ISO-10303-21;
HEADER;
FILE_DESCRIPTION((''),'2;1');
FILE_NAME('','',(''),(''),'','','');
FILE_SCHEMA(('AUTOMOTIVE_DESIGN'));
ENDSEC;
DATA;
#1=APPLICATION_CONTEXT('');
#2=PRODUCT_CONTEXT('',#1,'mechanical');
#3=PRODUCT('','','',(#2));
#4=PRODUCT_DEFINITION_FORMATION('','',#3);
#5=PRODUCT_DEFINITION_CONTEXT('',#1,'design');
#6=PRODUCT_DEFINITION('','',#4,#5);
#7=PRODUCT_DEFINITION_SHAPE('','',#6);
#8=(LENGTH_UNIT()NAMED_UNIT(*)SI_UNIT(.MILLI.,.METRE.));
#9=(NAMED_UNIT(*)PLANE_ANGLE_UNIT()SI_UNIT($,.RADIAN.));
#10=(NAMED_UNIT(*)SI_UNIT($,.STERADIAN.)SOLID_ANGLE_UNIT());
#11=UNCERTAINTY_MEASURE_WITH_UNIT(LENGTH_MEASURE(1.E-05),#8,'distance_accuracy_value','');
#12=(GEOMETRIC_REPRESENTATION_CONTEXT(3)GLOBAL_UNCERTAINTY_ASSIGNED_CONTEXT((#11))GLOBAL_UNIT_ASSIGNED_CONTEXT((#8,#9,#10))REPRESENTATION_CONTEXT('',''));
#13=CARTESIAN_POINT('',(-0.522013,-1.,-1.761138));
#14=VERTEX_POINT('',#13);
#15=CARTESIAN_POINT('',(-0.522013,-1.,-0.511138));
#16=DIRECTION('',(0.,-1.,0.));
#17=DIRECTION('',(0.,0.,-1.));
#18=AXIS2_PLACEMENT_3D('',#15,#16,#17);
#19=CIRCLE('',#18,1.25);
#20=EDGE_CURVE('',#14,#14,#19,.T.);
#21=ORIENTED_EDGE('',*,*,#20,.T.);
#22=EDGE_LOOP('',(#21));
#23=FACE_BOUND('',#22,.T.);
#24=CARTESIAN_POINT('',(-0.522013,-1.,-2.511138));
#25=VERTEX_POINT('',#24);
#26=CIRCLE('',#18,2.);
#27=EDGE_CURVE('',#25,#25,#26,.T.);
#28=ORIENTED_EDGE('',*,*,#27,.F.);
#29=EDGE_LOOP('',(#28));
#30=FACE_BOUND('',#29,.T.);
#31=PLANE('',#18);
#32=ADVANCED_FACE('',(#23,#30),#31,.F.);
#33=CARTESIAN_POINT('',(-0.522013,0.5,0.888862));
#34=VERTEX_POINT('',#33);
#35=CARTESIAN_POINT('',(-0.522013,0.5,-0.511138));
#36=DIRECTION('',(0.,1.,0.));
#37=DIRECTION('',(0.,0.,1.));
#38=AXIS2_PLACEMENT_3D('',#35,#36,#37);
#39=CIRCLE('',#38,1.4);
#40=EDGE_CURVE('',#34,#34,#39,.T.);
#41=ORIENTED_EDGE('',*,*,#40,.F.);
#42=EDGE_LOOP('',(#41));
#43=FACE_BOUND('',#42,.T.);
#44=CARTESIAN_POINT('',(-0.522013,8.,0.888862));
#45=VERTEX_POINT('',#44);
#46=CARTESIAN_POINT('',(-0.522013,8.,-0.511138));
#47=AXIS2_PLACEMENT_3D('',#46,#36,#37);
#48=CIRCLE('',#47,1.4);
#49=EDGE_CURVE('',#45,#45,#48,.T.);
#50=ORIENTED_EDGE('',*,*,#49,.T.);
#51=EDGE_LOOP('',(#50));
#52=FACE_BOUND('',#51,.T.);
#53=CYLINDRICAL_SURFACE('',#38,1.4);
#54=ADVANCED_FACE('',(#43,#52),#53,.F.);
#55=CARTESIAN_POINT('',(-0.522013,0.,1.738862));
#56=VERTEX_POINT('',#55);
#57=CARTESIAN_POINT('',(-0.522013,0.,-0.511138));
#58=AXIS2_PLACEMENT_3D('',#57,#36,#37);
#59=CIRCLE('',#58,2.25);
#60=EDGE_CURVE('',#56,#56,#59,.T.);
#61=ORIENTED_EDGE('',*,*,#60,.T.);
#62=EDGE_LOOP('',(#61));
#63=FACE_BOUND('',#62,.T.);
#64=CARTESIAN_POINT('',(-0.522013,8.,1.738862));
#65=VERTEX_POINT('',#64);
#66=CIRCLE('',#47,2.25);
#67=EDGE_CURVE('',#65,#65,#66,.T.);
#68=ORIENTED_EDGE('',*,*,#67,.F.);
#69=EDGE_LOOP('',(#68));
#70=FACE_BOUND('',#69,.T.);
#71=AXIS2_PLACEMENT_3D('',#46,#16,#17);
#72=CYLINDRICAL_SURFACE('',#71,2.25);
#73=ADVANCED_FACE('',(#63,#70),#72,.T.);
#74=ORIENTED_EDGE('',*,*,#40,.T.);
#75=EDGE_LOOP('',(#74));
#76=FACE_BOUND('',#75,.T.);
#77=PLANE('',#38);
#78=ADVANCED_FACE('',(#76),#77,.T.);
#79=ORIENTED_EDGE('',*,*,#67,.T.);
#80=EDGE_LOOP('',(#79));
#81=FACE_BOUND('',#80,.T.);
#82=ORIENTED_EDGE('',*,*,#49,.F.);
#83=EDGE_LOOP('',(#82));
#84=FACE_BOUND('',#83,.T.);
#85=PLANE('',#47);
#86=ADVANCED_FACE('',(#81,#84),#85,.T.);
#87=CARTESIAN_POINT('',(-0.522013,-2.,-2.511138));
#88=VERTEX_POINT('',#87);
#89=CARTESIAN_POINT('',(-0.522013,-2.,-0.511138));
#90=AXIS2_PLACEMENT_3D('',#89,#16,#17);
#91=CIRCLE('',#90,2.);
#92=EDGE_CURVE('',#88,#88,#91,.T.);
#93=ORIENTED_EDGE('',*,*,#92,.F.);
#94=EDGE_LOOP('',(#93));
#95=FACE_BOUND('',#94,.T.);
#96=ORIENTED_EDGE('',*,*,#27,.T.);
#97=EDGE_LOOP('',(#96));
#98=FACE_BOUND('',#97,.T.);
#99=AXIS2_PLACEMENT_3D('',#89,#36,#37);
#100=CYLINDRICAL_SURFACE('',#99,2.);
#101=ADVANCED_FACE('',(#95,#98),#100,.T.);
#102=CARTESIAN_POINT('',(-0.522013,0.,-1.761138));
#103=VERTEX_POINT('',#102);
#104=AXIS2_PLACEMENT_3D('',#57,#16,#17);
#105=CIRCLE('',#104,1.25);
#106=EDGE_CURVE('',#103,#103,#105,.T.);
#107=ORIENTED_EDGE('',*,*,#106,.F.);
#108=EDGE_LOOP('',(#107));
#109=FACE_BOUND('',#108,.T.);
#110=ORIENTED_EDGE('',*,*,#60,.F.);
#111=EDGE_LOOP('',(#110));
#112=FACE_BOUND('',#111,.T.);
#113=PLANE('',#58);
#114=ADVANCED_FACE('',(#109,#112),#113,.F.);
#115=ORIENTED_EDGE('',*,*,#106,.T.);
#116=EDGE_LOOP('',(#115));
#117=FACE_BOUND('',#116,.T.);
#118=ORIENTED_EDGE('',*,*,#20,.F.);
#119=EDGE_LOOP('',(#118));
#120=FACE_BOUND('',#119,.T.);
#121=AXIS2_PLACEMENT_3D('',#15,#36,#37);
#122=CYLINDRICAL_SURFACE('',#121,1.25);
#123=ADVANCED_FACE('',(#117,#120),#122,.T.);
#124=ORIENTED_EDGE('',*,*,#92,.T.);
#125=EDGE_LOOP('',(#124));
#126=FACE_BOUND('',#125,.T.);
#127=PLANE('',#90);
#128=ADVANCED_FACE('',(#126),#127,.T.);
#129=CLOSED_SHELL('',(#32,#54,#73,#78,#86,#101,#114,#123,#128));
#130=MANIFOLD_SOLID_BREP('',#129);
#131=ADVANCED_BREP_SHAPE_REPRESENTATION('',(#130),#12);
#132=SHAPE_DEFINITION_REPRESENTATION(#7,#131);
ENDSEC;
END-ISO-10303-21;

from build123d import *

# Parameters (mm, degrees)
SKETCH1_R           = 2.25
BOSS_EXTRUDE1_DEPTH = 8
SKETCH1_3_R         = 1.375
BOSS_EXTRUDE2_DEPTH = 1
SKETCH5_R           = 1.25
BOSS_EXTRUDE3_DEPTH = 1
SKETCH6_R           = 2
BOSS_EXTRUDE4_DEPTH = 1
SKETCH12_R          = 1.4
CUT_EXTRUDE1_DEPTH  = 7.5


with BuildPart() as part:
    # Sketch1 → Boss-Extrude1 (new body)
    with BuildSketch(Plane(origin=(0, 0, 0), x_dir=(1, 0, 0), z_dir=(0, 1, 0))):
        with Locations((-0.522013312, 0.511138034)):
            Circle(SKETCH1_R)
    extrude(amount=BOSS_EXTRUDE1_DEPTH)

    # Sketch1<3> → Boss-Extrude2 (add)
    with BuildSketch(Plane(origin=(0, 0, 0), x_dir=(1, 0, 0), z_dir=(0, 1, 0))):
        with Locations((-0.522013312, 0.511138034)):
            Circle(SKETCH1_3_R)
    extrude(amount=BOSS_EXTRUDE2_DEPTH)

    # Sketch5 → Boss-Extrude3 (add)
    with BuildSketch(Plane.XZ):
        with Locations((-0.522013312, -0.511138034)):
            Circle(SKETCH5_R)
    extrude(amount=BOSS_EXTRUDE3_DEPTH)

    # Sketch6 → Boss-Extrude4 (add)
    with BuildSketch(Plane.XZ.offset(1)):
        with Locations((-0.522013312, -0.511138034)):
            Circle(SKETCH6_R)
    extrude(amount=BOSS_EXTRUDE4_DEPTH)

    # Sketch12 → Cut-Extrude1 (cut)
    with BuildSketch(Plane(origin=(0, 8, 0), x_dir=(1, 0, 0), z_dir=(0, 1, 0))):
        with Locations((-0.522013312, 0.511138034)):
            Circle(SKETCH12_R)
    extrude(amount=-CUT_EXTRUDE1_DEPTH, mode=Mode.SUBTRACT)


solid = part.part
